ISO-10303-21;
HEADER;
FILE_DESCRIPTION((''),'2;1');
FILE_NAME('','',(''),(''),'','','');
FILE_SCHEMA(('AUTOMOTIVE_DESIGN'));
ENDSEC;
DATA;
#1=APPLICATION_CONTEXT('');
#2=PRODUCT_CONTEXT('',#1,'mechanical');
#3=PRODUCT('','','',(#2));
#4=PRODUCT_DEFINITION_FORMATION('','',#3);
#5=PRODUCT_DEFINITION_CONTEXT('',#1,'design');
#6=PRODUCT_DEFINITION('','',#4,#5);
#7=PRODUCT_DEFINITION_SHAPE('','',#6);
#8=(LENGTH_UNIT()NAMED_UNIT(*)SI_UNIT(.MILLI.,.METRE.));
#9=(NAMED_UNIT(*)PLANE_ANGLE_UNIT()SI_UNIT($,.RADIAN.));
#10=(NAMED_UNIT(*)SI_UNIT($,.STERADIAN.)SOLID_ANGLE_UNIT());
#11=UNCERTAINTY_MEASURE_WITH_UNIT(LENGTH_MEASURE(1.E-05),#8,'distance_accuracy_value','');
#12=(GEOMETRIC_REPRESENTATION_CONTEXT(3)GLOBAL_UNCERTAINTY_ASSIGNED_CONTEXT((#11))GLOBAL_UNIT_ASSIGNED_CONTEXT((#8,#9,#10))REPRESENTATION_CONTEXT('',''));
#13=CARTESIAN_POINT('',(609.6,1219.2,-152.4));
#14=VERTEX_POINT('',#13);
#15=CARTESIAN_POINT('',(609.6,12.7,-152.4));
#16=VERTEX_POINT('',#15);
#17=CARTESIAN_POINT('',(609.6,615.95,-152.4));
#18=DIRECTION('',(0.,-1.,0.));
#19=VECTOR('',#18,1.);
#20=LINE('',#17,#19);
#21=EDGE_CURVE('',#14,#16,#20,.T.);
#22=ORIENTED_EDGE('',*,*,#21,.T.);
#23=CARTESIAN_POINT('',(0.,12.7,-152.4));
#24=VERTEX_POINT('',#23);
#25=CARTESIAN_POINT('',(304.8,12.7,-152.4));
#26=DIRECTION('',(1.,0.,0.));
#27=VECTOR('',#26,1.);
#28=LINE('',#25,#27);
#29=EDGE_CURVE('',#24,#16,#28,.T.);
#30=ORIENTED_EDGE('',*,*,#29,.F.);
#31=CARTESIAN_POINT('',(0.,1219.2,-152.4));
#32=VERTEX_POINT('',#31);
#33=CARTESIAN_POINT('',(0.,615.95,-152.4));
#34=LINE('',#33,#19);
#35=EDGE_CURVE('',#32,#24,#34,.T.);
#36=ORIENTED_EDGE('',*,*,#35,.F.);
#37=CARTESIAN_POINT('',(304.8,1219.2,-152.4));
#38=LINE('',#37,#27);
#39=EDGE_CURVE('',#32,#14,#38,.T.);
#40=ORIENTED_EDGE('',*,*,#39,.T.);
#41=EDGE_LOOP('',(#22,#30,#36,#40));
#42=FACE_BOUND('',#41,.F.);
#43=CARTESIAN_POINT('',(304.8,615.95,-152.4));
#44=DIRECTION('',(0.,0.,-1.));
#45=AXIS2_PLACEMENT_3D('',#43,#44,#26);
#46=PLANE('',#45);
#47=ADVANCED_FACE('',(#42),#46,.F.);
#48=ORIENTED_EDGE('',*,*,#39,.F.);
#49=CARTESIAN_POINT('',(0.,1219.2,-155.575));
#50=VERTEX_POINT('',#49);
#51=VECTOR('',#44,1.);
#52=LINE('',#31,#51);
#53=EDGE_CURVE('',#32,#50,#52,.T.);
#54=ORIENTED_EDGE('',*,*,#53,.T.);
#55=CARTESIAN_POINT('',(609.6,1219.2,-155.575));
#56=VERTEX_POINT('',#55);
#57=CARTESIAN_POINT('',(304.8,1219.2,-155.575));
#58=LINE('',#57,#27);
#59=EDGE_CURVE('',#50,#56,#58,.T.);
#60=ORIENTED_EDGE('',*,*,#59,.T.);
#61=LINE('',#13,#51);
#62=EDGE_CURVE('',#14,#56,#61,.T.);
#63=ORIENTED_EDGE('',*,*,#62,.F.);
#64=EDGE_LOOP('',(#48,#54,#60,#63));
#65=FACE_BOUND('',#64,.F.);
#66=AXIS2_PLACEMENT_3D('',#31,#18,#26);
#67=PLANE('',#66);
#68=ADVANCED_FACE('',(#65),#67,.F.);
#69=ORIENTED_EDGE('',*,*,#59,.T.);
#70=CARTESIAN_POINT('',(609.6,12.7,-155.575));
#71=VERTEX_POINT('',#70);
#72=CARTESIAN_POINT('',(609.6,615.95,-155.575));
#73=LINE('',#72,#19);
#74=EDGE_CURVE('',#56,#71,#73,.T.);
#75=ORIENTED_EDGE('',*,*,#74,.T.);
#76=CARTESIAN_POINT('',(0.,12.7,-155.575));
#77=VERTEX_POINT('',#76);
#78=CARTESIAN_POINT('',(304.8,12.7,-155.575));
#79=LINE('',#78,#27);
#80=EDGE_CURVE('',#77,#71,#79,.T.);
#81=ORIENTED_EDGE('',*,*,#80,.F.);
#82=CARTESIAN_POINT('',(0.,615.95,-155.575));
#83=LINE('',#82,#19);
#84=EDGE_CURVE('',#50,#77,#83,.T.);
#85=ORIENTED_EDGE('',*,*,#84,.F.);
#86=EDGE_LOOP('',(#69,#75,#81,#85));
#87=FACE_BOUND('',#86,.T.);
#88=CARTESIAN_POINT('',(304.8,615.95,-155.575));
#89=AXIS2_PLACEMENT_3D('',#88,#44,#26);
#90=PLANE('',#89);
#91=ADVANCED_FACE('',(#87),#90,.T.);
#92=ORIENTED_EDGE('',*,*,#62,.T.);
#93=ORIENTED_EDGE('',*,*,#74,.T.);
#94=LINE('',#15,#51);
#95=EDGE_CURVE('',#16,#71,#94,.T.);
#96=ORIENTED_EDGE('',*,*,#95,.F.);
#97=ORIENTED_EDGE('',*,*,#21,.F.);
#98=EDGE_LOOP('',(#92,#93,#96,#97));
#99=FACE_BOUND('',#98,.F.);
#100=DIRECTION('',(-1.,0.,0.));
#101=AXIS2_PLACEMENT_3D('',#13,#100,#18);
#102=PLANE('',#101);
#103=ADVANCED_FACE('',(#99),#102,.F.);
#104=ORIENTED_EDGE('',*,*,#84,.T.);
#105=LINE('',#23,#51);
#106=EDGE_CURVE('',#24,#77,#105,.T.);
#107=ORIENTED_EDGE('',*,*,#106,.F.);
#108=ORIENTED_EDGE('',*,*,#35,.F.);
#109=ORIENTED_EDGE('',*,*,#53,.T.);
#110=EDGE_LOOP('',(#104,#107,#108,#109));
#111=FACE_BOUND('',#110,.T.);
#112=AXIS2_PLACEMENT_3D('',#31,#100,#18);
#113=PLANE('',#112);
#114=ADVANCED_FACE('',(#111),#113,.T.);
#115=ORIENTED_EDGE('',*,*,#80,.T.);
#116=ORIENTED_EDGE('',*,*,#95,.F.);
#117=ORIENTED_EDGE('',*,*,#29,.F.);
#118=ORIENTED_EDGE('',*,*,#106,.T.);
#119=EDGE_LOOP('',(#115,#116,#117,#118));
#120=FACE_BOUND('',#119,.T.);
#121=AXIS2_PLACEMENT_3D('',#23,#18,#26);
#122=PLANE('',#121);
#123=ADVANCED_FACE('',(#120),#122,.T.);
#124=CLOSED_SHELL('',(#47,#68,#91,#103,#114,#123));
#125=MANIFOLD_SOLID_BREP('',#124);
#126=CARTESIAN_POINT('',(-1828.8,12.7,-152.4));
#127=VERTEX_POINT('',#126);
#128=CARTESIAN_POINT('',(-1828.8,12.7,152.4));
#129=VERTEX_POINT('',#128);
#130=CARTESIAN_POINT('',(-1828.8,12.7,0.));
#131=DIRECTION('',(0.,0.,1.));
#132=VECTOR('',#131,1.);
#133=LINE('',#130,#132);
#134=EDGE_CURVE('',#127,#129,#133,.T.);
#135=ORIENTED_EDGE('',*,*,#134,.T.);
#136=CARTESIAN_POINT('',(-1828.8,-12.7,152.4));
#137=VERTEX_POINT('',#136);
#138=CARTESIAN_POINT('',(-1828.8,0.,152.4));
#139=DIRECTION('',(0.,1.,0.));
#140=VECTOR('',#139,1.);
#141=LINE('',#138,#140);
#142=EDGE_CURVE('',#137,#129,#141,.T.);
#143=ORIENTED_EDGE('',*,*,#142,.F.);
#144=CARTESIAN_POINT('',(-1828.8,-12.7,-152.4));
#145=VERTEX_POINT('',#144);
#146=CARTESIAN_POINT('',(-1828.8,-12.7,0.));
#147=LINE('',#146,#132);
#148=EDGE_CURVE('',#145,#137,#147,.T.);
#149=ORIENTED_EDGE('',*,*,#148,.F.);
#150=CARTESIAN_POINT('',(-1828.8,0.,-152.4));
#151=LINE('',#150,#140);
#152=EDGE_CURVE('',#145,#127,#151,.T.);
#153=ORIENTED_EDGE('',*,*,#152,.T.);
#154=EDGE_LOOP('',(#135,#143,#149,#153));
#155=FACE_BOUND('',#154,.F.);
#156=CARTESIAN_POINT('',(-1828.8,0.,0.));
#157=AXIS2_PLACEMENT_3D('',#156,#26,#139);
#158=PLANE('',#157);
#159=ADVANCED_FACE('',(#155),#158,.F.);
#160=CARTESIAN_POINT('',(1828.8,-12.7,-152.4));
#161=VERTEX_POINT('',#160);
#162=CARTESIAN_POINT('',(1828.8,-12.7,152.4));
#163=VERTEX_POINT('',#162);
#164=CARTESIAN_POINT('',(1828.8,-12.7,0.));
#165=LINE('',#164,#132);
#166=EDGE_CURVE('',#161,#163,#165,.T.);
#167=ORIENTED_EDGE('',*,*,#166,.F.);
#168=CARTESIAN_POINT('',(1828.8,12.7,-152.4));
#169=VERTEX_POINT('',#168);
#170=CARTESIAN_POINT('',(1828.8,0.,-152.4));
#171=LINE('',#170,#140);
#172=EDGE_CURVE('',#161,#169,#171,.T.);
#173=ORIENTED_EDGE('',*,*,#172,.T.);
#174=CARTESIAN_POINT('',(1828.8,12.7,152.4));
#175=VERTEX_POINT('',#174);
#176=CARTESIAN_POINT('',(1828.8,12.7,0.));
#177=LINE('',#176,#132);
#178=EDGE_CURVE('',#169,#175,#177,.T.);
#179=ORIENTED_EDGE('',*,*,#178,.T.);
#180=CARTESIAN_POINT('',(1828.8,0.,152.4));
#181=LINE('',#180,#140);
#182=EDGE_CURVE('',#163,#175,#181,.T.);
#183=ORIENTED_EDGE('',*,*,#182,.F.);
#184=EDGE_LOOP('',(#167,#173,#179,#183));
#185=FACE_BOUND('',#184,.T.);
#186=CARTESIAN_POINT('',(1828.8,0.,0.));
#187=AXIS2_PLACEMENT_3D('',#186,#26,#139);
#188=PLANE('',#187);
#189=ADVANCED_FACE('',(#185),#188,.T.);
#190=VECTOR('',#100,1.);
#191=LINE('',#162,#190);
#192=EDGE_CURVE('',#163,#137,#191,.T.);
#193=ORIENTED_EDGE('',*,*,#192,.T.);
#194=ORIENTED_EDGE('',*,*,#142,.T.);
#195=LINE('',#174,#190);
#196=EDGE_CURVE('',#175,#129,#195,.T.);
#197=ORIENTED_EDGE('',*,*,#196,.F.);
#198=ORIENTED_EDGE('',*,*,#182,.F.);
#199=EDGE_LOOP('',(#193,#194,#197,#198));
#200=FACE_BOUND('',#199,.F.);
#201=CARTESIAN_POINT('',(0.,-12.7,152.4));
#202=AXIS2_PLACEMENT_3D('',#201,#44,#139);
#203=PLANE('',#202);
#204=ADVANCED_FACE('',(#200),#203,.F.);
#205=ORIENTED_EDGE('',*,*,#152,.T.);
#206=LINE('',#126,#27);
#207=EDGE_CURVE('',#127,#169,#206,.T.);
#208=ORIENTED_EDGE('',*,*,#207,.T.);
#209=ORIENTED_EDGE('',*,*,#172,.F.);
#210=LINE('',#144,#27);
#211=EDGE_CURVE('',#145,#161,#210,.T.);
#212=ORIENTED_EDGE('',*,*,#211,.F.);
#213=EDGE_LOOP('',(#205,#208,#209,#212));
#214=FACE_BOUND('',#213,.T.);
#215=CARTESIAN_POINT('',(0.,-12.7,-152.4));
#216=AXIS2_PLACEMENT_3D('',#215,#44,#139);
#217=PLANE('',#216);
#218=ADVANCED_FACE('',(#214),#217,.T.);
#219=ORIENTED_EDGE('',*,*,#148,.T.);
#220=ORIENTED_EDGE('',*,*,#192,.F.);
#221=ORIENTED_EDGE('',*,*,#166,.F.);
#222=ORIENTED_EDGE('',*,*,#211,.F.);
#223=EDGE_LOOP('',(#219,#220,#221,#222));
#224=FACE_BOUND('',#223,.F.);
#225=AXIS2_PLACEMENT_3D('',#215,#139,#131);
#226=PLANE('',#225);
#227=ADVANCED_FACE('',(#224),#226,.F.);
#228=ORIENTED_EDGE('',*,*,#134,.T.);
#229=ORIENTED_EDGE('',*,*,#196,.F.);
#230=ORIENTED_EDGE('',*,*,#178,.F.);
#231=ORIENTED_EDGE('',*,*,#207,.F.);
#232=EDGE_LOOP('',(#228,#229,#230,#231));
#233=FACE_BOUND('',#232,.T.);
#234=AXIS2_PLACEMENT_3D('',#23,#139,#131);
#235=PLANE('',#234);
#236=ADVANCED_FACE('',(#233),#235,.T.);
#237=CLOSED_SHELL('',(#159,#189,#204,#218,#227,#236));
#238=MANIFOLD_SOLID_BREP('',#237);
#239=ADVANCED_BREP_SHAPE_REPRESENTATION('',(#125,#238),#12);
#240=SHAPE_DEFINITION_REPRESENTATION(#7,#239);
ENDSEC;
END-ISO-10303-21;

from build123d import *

# Parameters (mm, degrees)
F0_W     = 25.4
F0_H     = 304.8
F1_DEPTH = 1828.8
F2_W     = 609.6
F2_H     = 1206.5
F3_DEPTH = 3.175


with BuildPart() as f1:
    # F0 (on Right) → F1 (new body, symmetric)
    with BuildSketch(Plane.YZ):
        Rectangle(F0_W, F0_H)
    extrude(amount=F1_DEPTH, both=True)


with BuildPart() as f3:
    # F2 (on face) → F3 (new body)
    with BuildSketch(Plane(origin=(0, 0, -152.4), x_dir=(1, 0, 0), z_dir=(0, 0, -1))):
        with Locations((304.8, -615.95)):
            Rectangle(F2_W, F2_H)
    extrude(amount=F3_DEPTH)


solid = Compound([f1.part, f3.part])
